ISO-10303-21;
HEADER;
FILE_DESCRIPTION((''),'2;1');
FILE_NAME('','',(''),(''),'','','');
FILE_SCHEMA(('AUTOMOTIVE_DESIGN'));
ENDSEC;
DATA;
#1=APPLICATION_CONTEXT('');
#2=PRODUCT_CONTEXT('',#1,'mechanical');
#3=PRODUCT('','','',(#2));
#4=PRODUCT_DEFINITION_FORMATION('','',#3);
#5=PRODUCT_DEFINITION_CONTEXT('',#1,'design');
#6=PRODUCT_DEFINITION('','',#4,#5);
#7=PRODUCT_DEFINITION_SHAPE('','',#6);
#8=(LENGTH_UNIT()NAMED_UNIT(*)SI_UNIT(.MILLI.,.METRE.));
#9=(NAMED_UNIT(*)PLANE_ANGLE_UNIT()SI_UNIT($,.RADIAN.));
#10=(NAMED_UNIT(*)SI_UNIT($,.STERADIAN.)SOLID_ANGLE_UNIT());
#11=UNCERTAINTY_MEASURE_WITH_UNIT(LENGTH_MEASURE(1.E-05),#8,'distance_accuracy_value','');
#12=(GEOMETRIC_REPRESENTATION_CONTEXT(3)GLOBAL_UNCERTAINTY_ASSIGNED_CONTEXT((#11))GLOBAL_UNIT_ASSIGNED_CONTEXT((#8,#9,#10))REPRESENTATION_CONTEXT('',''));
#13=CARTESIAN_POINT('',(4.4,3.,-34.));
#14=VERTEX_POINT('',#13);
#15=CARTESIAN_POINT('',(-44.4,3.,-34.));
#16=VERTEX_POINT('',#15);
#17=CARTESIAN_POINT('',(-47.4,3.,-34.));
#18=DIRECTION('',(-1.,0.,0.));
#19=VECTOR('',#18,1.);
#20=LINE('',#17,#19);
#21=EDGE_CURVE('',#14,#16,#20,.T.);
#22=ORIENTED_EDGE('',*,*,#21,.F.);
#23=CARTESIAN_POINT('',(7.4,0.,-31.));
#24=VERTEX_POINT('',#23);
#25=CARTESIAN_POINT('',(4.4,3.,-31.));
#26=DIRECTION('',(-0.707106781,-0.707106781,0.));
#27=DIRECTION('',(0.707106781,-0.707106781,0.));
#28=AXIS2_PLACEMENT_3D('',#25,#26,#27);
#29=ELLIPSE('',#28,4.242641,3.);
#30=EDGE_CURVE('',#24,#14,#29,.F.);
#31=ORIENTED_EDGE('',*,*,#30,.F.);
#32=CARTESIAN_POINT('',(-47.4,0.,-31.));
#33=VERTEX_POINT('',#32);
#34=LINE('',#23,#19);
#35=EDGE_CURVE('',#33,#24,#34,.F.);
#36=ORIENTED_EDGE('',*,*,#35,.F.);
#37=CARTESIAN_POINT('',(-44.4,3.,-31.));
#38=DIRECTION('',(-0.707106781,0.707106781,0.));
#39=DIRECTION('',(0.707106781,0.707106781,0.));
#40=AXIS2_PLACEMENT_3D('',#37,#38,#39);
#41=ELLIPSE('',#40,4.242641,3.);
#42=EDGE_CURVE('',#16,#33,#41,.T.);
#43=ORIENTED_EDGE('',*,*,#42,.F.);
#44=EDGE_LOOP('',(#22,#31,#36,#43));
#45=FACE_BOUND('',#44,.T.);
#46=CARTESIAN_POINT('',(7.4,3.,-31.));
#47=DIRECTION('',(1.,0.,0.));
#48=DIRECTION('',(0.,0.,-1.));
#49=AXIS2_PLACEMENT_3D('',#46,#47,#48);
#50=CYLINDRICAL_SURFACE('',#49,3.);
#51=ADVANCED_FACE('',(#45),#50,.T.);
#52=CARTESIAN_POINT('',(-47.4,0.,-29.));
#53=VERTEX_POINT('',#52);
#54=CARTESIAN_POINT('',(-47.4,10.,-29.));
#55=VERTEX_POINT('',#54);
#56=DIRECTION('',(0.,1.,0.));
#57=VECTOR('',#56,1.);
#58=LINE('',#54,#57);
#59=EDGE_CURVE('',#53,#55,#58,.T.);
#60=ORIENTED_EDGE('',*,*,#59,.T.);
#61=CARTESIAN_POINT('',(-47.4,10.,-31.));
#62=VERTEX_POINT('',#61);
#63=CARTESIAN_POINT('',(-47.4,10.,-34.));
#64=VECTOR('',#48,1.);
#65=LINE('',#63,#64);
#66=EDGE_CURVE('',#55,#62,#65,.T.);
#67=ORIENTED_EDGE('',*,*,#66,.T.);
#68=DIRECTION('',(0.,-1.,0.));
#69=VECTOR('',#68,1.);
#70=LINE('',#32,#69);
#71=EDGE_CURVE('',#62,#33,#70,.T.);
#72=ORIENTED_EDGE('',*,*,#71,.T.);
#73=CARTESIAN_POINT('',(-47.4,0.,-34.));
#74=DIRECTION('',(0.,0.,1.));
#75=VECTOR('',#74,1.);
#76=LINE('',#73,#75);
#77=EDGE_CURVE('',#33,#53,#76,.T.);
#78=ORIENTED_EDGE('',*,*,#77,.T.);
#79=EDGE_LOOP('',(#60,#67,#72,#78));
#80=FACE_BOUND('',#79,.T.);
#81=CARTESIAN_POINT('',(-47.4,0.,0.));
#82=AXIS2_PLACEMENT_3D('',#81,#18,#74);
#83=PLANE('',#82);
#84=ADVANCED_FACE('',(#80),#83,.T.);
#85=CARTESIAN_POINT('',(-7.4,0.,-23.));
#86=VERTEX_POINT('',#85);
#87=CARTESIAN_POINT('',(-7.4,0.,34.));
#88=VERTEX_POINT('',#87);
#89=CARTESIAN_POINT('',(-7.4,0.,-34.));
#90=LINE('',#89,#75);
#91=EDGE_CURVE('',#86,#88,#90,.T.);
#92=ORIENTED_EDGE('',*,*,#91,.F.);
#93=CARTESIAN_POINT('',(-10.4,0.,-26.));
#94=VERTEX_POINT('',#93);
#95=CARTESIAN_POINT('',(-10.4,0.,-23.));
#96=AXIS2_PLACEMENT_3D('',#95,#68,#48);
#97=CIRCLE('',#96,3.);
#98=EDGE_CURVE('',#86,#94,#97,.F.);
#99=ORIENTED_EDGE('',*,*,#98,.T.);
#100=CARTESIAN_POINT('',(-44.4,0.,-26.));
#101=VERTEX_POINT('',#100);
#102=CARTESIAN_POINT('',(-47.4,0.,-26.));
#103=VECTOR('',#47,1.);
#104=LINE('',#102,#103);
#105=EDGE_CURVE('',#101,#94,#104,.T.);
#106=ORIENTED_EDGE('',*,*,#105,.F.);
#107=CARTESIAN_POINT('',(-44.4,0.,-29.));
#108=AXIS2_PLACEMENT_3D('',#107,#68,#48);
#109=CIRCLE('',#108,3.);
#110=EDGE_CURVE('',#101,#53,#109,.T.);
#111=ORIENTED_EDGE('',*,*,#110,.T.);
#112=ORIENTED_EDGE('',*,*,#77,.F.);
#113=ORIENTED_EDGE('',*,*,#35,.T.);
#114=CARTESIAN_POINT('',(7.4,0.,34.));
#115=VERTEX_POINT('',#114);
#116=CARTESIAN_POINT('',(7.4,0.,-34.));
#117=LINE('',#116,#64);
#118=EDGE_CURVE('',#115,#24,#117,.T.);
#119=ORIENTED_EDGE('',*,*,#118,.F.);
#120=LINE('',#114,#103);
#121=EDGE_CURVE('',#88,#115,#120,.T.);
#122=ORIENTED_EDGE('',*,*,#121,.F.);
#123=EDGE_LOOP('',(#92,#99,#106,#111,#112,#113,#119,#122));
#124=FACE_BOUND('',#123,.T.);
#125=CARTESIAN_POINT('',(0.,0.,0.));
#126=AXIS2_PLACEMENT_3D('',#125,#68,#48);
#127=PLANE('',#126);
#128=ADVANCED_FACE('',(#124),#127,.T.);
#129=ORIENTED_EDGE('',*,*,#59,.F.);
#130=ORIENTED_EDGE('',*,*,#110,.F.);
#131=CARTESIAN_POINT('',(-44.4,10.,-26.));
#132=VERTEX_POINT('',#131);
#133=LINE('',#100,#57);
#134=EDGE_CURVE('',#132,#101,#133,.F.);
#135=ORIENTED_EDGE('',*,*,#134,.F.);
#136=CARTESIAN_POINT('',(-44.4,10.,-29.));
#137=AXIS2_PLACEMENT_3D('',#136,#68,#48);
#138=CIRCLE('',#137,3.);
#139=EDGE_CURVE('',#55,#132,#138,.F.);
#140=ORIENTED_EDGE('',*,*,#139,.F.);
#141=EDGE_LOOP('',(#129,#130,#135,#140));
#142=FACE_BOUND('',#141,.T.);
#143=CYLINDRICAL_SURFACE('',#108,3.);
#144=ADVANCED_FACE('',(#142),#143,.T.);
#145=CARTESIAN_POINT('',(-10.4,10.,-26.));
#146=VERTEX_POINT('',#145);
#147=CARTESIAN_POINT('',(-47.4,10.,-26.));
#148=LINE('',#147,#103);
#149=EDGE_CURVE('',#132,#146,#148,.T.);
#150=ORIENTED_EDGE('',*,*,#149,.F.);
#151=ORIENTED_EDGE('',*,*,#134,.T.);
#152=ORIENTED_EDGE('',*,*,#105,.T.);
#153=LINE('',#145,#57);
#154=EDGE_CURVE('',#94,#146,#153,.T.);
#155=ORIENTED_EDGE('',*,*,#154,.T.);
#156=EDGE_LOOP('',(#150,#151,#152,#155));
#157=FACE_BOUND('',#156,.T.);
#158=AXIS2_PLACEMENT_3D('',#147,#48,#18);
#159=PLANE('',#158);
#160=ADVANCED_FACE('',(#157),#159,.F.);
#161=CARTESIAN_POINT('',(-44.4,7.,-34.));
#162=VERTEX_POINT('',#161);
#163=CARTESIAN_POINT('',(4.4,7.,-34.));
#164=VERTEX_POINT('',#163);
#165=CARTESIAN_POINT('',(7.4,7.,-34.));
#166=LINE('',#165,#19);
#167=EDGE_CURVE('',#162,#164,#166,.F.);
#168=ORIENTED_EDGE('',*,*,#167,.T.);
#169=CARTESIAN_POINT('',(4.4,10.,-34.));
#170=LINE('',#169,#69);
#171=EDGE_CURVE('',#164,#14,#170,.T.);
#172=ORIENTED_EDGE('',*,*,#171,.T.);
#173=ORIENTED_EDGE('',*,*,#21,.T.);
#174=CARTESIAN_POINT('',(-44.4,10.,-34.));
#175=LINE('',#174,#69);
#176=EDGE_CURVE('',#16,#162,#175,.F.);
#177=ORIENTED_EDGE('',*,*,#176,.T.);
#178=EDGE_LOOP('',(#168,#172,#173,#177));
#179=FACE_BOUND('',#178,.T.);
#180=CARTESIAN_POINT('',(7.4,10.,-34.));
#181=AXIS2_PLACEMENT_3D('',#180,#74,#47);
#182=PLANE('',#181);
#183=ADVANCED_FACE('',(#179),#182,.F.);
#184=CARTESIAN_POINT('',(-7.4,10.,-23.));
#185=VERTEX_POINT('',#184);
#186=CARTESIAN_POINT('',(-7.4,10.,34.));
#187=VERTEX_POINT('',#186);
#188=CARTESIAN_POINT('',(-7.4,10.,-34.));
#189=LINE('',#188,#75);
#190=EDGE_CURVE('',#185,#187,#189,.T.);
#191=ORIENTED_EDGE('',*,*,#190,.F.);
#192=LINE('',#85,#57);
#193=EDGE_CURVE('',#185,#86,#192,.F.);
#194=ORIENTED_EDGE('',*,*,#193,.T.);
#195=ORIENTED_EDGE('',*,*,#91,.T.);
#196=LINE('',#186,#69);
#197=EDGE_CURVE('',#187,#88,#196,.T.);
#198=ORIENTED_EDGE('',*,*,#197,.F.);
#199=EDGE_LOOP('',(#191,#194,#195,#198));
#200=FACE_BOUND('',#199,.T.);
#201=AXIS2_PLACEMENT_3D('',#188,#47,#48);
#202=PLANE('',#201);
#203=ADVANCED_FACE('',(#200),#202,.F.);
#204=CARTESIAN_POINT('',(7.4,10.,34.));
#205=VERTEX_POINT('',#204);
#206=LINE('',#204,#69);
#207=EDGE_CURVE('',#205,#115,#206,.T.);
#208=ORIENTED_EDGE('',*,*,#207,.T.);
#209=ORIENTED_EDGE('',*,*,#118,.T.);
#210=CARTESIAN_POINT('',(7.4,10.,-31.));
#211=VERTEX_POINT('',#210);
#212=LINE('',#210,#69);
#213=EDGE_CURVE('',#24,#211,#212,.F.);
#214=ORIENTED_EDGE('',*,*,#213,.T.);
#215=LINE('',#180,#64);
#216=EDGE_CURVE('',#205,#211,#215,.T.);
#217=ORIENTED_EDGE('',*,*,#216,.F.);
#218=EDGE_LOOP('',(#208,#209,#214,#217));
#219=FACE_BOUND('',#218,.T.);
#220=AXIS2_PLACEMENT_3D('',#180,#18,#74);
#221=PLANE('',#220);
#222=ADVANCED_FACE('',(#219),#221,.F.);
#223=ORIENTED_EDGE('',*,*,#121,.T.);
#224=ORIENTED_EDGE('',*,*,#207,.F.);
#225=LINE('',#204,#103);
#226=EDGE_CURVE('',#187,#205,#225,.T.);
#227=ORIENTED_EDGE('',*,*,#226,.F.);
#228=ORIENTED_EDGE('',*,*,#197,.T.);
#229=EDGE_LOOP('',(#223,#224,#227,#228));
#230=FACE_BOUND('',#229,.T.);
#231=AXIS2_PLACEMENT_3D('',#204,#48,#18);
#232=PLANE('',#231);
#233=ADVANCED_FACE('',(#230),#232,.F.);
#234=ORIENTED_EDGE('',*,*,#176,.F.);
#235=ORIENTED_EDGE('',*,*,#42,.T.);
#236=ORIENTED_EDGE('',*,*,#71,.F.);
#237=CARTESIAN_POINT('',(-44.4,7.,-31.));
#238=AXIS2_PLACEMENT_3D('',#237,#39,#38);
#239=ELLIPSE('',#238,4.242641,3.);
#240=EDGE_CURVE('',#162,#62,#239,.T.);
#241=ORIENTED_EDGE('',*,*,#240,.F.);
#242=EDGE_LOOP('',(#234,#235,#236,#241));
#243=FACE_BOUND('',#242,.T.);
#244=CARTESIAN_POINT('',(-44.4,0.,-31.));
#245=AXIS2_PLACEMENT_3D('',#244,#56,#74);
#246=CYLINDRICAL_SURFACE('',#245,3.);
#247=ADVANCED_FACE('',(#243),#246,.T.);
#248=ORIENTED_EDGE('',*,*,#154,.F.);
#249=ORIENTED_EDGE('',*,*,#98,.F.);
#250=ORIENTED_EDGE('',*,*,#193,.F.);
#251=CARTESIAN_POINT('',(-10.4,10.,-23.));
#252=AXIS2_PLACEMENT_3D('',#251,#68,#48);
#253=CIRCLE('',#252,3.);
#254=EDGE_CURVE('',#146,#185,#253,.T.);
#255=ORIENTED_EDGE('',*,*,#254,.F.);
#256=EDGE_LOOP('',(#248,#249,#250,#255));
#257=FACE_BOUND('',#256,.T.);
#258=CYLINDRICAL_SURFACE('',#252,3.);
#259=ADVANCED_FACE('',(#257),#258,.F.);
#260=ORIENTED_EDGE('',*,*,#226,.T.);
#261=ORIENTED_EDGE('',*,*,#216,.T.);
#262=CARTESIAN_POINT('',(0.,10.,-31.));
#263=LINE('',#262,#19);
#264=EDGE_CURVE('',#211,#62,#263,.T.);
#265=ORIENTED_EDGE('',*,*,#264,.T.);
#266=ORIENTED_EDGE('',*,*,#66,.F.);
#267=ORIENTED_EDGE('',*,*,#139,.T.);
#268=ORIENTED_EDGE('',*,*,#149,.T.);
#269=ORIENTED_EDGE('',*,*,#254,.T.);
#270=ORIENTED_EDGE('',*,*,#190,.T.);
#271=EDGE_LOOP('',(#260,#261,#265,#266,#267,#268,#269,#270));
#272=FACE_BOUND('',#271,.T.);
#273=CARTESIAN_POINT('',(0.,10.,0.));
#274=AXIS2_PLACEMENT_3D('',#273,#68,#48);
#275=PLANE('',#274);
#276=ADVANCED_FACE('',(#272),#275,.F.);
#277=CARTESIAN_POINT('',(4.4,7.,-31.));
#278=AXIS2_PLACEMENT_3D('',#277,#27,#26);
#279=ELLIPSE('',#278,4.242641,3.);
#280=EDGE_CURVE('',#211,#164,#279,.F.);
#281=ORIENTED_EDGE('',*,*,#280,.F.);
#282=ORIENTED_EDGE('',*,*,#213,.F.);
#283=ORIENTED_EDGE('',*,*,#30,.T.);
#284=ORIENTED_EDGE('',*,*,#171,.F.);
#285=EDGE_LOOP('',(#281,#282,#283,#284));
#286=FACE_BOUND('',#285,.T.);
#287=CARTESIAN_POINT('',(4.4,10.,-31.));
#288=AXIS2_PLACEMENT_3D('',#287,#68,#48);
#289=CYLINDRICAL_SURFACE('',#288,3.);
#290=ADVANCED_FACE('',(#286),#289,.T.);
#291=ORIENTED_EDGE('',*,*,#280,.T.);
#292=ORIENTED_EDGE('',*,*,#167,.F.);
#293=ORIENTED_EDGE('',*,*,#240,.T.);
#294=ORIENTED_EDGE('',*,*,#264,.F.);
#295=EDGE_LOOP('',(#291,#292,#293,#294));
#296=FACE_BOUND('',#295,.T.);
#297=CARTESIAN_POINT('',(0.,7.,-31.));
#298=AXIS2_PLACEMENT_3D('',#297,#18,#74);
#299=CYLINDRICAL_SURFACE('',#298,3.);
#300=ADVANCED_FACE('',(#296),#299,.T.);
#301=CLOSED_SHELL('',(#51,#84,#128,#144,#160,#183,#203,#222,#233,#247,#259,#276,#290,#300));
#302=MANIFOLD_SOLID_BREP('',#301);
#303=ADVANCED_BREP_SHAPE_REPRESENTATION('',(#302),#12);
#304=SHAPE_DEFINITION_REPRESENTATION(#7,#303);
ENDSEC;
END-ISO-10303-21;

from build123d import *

# Parameters (mm, degrees)
SKETCH1_W           = 14.8
SKETCH1_H           = 68
BOSS_EXTRUDE1_DEPTH = 10
SKETCH2_W           = 8
SKETCH2_H           = 10
BOSS_EXTRUDE2_DEPTH = 40
FILLET2_R           = 3


with BuildPart() as part:
    # Sketch1 → Boss-Extrude1 (new body)
    with BuildSketch(Plane(origin=(0, 0, 0), x_dir=(1, 0, 0), z_dir=(0, 1, 0))):
        Rectangle(SKETCH1_W, SKETCH1_H)
    extrude(amount=BOSS_EXTRUDE1_DEPTH)

    # Sketch2 → Boss-Extrude2 (add)
    with BuildSketch(Plane.ZY.offset(7.4)):
        with Locations((-30, 5)):
            Rectangle(SKETCH2_W, SKETCH2_H)
    extrude(amount=BOSS_EXTRUDE2_DEPTH)

    # Fillet2
    fillet2_edges = [part.edges().sort_by_distance(p)[0] for p in [
        (-7.4, 5, -26),
        (-20, 10, -34),
        (-47.4, 5, -34),
        (-47.4, 5, -26),
        (-20, 0, -34),
        (7.4, 5, -34),
    ]]
    fillet(fillet2_edges, radius=FILLET2_R)


solid = part.part
